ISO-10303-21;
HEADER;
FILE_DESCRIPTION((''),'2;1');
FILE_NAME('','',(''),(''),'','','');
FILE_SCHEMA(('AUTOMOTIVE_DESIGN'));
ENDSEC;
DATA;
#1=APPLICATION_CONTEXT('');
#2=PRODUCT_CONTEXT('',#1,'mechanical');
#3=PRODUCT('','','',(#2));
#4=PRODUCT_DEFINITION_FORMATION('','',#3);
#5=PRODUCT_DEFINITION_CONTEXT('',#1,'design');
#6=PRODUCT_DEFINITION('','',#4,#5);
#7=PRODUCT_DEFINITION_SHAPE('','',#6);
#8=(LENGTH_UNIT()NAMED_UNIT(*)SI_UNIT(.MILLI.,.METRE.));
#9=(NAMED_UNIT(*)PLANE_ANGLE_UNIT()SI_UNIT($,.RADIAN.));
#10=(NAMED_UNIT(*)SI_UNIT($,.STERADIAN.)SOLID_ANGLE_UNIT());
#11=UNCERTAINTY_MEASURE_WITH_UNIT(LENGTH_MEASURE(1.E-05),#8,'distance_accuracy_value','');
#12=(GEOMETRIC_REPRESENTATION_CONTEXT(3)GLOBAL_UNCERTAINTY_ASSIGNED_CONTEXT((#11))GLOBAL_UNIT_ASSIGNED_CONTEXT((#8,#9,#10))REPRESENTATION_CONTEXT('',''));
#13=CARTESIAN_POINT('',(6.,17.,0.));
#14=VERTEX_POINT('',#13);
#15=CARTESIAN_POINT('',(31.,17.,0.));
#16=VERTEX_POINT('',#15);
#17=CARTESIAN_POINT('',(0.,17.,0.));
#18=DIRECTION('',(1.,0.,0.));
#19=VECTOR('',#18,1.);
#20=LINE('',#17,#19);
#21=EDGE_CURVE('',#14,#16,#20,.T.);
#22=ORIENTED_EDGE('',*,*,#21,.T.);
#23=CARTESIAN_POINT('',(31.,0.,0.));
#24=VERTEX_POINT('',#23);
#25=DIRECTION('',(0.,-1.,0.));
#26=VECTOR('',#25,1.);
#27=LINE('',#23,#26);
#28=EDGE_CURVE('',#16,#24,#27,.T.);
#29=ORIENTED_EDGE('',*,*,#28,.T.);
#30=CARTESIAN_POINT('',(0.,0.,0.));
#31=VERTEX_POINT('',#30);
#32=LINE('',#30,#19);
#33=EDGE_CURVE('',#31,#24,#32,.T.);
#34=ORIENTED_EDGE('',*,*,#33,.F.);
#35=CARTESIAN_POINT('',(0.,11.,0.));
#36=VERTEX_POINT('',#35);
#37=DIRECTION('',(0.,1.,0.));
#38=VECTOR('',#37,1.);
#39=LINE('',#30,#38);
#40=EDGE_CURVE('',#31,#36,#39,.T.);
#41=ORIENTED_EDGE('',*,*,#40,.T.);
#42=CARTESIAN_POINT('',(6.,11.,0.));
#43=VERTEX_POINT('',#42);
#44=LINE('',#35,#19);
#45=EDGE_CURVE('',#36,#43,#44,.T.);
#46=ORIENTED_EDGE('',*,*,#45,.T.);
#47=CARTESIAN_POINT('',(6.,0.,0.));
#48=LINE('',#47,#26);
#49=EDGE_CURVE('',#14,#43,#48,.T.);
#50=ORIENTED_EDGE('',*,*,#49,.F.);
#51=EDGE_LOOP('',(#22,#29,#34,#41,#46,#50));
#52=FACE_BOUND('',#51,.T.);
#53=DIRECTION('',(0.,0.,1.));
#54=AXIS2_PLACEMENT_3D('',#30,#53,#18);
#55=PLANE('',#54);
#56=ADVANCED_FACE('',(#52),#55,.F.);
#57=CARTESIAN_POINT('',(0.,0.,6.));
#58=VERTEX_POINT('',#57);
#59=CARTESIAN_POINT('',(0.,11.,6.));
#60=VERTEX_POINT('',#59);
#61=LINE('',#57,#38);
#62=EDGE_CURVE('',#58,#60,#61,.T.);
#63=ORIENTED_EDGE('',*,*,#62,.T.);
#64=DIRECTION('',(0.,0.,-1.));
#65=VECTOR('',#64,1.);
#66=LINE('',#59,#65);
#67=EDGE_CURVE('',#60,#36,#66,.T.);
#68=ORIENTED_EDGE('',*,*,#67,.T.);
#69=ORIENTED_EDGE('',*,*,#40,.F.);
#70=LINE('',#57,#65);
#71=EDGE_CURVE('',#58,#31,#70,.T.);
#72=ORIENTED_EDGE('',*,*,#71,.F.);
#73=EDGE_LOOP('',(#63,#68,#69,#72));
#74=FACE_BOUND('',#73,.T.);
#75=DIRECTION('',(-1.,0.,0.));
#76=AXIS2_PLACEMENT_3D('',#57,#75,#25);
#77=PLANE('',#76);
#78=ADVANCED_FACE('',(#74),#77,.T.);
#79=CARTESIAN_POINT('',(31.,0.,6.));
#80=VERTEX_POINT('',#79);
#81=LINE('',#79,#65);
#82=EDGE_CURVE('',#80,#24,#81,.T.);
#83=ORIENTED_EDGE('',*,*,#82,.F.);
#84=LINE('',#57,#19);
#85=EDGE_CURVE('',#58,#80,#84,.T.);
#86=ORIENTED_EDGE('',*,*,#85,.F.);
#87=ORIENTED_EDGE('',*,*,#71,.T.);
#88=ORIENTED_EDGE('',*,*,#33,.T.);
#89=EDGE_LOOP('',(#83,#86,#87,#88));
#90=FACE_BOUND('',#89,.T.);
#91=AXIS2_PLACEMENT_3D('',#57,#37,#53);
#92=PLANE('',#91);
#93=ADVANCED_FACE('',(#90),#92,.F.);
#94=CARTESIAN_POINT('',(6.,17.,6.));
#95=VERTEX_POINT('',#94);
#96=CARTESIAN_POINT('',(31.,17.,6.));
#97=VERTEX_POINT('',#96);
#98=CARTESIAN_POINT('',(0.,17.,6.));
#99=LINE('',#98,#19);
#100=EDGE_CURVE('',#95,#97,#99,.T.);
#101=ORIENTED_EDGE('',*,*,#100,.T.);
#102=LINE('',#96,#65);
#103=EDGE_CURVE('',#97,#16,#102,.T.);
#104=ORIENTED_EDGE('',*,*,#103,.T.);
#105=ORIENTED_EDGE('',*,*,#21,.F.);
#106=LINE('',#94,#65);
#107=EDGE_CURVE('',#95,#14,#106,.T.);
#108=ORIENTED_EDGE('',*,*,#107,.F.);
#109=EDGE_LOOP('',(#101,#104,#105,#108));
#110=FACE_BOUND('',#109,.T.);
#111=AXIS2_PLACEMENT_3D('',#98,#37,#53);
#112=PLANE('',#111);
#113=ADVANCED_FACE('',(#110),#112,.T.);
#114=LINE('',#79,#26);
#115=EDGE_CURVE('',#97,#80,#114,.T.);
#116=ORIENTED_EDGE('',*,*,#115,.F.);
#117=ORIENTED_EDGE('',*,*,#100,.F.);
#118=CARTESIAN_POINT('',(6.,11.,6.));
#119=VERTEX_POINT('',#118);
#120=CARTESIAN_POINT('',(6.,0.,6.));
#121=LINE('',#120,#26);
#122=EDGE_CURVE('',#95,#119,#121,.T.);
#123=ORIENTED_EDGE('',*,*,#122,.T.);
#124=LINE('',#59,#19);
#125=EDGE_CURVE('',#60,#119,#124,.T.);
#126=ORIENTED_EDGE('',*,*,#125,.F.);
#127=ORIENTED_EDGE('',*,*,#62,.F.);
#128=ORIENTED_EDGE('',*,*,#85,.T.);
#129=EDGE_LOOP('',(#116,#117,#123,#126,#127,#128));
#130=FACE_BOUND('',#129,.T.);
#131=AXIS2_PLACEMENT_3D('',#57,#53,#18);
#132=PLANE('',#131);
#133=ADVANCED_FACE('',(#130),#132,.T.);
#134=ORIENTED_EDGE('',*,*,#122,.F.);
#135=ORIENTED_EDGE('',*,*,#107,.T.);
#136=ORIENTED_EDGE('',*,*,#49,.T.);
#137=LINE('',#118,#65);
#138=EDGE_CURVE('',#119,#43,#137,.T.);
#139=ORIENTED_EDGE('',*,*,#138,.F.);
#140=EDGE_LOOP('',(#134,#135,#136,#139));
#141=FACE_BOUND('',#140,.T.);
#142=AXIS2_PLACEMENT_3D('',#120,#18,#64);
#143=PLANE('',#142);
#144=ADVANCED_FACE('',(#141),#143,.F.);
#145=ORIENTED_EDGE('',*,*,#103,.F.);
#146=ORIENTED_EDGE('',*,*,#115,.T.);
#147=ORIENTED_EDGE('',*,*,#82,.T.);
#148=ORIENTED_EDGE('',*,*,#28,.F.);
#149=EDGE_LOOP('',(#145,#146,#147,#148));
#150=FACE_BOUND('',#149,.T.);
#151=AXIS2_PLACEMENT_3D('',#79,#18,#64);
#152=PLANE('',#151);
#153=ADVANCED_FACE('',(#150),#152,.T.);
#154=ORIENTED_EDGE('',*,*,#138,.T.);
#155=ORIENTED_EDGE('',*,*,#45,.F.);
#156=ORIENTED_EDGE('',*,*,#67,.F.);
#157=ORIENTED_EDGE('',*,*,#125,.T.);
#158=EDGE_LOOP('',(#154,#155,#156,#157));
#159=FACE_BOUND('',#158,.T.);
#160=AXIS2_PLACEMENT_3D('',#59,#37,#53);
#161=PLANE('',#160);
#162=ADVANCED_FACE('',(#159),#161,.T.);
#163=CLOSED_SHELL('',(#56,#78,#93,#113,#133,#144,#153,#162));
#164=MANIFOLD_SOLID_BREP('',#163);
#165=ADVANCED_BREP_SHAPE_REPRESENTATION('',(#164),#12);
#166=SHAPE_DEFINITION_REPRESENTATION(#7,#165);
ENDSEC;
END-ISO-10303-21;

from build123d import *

# Parameters (mm, degrees)
RESSALTO_EXTRUS_O1_DEPTH = 6


with BuildPart() as part:
    # Esboço1 → Ressalto-extrusão1 (new body)
    with BuildSketch(Plane.XY):
        Polygon((0, 11), (0, 0), (31, 0), (31, 17), (6, 17), (6, 11), align=None)
    extrude(amount=RESSALTO_EXTRUS_O1_DEPTH)


solid = part.part
